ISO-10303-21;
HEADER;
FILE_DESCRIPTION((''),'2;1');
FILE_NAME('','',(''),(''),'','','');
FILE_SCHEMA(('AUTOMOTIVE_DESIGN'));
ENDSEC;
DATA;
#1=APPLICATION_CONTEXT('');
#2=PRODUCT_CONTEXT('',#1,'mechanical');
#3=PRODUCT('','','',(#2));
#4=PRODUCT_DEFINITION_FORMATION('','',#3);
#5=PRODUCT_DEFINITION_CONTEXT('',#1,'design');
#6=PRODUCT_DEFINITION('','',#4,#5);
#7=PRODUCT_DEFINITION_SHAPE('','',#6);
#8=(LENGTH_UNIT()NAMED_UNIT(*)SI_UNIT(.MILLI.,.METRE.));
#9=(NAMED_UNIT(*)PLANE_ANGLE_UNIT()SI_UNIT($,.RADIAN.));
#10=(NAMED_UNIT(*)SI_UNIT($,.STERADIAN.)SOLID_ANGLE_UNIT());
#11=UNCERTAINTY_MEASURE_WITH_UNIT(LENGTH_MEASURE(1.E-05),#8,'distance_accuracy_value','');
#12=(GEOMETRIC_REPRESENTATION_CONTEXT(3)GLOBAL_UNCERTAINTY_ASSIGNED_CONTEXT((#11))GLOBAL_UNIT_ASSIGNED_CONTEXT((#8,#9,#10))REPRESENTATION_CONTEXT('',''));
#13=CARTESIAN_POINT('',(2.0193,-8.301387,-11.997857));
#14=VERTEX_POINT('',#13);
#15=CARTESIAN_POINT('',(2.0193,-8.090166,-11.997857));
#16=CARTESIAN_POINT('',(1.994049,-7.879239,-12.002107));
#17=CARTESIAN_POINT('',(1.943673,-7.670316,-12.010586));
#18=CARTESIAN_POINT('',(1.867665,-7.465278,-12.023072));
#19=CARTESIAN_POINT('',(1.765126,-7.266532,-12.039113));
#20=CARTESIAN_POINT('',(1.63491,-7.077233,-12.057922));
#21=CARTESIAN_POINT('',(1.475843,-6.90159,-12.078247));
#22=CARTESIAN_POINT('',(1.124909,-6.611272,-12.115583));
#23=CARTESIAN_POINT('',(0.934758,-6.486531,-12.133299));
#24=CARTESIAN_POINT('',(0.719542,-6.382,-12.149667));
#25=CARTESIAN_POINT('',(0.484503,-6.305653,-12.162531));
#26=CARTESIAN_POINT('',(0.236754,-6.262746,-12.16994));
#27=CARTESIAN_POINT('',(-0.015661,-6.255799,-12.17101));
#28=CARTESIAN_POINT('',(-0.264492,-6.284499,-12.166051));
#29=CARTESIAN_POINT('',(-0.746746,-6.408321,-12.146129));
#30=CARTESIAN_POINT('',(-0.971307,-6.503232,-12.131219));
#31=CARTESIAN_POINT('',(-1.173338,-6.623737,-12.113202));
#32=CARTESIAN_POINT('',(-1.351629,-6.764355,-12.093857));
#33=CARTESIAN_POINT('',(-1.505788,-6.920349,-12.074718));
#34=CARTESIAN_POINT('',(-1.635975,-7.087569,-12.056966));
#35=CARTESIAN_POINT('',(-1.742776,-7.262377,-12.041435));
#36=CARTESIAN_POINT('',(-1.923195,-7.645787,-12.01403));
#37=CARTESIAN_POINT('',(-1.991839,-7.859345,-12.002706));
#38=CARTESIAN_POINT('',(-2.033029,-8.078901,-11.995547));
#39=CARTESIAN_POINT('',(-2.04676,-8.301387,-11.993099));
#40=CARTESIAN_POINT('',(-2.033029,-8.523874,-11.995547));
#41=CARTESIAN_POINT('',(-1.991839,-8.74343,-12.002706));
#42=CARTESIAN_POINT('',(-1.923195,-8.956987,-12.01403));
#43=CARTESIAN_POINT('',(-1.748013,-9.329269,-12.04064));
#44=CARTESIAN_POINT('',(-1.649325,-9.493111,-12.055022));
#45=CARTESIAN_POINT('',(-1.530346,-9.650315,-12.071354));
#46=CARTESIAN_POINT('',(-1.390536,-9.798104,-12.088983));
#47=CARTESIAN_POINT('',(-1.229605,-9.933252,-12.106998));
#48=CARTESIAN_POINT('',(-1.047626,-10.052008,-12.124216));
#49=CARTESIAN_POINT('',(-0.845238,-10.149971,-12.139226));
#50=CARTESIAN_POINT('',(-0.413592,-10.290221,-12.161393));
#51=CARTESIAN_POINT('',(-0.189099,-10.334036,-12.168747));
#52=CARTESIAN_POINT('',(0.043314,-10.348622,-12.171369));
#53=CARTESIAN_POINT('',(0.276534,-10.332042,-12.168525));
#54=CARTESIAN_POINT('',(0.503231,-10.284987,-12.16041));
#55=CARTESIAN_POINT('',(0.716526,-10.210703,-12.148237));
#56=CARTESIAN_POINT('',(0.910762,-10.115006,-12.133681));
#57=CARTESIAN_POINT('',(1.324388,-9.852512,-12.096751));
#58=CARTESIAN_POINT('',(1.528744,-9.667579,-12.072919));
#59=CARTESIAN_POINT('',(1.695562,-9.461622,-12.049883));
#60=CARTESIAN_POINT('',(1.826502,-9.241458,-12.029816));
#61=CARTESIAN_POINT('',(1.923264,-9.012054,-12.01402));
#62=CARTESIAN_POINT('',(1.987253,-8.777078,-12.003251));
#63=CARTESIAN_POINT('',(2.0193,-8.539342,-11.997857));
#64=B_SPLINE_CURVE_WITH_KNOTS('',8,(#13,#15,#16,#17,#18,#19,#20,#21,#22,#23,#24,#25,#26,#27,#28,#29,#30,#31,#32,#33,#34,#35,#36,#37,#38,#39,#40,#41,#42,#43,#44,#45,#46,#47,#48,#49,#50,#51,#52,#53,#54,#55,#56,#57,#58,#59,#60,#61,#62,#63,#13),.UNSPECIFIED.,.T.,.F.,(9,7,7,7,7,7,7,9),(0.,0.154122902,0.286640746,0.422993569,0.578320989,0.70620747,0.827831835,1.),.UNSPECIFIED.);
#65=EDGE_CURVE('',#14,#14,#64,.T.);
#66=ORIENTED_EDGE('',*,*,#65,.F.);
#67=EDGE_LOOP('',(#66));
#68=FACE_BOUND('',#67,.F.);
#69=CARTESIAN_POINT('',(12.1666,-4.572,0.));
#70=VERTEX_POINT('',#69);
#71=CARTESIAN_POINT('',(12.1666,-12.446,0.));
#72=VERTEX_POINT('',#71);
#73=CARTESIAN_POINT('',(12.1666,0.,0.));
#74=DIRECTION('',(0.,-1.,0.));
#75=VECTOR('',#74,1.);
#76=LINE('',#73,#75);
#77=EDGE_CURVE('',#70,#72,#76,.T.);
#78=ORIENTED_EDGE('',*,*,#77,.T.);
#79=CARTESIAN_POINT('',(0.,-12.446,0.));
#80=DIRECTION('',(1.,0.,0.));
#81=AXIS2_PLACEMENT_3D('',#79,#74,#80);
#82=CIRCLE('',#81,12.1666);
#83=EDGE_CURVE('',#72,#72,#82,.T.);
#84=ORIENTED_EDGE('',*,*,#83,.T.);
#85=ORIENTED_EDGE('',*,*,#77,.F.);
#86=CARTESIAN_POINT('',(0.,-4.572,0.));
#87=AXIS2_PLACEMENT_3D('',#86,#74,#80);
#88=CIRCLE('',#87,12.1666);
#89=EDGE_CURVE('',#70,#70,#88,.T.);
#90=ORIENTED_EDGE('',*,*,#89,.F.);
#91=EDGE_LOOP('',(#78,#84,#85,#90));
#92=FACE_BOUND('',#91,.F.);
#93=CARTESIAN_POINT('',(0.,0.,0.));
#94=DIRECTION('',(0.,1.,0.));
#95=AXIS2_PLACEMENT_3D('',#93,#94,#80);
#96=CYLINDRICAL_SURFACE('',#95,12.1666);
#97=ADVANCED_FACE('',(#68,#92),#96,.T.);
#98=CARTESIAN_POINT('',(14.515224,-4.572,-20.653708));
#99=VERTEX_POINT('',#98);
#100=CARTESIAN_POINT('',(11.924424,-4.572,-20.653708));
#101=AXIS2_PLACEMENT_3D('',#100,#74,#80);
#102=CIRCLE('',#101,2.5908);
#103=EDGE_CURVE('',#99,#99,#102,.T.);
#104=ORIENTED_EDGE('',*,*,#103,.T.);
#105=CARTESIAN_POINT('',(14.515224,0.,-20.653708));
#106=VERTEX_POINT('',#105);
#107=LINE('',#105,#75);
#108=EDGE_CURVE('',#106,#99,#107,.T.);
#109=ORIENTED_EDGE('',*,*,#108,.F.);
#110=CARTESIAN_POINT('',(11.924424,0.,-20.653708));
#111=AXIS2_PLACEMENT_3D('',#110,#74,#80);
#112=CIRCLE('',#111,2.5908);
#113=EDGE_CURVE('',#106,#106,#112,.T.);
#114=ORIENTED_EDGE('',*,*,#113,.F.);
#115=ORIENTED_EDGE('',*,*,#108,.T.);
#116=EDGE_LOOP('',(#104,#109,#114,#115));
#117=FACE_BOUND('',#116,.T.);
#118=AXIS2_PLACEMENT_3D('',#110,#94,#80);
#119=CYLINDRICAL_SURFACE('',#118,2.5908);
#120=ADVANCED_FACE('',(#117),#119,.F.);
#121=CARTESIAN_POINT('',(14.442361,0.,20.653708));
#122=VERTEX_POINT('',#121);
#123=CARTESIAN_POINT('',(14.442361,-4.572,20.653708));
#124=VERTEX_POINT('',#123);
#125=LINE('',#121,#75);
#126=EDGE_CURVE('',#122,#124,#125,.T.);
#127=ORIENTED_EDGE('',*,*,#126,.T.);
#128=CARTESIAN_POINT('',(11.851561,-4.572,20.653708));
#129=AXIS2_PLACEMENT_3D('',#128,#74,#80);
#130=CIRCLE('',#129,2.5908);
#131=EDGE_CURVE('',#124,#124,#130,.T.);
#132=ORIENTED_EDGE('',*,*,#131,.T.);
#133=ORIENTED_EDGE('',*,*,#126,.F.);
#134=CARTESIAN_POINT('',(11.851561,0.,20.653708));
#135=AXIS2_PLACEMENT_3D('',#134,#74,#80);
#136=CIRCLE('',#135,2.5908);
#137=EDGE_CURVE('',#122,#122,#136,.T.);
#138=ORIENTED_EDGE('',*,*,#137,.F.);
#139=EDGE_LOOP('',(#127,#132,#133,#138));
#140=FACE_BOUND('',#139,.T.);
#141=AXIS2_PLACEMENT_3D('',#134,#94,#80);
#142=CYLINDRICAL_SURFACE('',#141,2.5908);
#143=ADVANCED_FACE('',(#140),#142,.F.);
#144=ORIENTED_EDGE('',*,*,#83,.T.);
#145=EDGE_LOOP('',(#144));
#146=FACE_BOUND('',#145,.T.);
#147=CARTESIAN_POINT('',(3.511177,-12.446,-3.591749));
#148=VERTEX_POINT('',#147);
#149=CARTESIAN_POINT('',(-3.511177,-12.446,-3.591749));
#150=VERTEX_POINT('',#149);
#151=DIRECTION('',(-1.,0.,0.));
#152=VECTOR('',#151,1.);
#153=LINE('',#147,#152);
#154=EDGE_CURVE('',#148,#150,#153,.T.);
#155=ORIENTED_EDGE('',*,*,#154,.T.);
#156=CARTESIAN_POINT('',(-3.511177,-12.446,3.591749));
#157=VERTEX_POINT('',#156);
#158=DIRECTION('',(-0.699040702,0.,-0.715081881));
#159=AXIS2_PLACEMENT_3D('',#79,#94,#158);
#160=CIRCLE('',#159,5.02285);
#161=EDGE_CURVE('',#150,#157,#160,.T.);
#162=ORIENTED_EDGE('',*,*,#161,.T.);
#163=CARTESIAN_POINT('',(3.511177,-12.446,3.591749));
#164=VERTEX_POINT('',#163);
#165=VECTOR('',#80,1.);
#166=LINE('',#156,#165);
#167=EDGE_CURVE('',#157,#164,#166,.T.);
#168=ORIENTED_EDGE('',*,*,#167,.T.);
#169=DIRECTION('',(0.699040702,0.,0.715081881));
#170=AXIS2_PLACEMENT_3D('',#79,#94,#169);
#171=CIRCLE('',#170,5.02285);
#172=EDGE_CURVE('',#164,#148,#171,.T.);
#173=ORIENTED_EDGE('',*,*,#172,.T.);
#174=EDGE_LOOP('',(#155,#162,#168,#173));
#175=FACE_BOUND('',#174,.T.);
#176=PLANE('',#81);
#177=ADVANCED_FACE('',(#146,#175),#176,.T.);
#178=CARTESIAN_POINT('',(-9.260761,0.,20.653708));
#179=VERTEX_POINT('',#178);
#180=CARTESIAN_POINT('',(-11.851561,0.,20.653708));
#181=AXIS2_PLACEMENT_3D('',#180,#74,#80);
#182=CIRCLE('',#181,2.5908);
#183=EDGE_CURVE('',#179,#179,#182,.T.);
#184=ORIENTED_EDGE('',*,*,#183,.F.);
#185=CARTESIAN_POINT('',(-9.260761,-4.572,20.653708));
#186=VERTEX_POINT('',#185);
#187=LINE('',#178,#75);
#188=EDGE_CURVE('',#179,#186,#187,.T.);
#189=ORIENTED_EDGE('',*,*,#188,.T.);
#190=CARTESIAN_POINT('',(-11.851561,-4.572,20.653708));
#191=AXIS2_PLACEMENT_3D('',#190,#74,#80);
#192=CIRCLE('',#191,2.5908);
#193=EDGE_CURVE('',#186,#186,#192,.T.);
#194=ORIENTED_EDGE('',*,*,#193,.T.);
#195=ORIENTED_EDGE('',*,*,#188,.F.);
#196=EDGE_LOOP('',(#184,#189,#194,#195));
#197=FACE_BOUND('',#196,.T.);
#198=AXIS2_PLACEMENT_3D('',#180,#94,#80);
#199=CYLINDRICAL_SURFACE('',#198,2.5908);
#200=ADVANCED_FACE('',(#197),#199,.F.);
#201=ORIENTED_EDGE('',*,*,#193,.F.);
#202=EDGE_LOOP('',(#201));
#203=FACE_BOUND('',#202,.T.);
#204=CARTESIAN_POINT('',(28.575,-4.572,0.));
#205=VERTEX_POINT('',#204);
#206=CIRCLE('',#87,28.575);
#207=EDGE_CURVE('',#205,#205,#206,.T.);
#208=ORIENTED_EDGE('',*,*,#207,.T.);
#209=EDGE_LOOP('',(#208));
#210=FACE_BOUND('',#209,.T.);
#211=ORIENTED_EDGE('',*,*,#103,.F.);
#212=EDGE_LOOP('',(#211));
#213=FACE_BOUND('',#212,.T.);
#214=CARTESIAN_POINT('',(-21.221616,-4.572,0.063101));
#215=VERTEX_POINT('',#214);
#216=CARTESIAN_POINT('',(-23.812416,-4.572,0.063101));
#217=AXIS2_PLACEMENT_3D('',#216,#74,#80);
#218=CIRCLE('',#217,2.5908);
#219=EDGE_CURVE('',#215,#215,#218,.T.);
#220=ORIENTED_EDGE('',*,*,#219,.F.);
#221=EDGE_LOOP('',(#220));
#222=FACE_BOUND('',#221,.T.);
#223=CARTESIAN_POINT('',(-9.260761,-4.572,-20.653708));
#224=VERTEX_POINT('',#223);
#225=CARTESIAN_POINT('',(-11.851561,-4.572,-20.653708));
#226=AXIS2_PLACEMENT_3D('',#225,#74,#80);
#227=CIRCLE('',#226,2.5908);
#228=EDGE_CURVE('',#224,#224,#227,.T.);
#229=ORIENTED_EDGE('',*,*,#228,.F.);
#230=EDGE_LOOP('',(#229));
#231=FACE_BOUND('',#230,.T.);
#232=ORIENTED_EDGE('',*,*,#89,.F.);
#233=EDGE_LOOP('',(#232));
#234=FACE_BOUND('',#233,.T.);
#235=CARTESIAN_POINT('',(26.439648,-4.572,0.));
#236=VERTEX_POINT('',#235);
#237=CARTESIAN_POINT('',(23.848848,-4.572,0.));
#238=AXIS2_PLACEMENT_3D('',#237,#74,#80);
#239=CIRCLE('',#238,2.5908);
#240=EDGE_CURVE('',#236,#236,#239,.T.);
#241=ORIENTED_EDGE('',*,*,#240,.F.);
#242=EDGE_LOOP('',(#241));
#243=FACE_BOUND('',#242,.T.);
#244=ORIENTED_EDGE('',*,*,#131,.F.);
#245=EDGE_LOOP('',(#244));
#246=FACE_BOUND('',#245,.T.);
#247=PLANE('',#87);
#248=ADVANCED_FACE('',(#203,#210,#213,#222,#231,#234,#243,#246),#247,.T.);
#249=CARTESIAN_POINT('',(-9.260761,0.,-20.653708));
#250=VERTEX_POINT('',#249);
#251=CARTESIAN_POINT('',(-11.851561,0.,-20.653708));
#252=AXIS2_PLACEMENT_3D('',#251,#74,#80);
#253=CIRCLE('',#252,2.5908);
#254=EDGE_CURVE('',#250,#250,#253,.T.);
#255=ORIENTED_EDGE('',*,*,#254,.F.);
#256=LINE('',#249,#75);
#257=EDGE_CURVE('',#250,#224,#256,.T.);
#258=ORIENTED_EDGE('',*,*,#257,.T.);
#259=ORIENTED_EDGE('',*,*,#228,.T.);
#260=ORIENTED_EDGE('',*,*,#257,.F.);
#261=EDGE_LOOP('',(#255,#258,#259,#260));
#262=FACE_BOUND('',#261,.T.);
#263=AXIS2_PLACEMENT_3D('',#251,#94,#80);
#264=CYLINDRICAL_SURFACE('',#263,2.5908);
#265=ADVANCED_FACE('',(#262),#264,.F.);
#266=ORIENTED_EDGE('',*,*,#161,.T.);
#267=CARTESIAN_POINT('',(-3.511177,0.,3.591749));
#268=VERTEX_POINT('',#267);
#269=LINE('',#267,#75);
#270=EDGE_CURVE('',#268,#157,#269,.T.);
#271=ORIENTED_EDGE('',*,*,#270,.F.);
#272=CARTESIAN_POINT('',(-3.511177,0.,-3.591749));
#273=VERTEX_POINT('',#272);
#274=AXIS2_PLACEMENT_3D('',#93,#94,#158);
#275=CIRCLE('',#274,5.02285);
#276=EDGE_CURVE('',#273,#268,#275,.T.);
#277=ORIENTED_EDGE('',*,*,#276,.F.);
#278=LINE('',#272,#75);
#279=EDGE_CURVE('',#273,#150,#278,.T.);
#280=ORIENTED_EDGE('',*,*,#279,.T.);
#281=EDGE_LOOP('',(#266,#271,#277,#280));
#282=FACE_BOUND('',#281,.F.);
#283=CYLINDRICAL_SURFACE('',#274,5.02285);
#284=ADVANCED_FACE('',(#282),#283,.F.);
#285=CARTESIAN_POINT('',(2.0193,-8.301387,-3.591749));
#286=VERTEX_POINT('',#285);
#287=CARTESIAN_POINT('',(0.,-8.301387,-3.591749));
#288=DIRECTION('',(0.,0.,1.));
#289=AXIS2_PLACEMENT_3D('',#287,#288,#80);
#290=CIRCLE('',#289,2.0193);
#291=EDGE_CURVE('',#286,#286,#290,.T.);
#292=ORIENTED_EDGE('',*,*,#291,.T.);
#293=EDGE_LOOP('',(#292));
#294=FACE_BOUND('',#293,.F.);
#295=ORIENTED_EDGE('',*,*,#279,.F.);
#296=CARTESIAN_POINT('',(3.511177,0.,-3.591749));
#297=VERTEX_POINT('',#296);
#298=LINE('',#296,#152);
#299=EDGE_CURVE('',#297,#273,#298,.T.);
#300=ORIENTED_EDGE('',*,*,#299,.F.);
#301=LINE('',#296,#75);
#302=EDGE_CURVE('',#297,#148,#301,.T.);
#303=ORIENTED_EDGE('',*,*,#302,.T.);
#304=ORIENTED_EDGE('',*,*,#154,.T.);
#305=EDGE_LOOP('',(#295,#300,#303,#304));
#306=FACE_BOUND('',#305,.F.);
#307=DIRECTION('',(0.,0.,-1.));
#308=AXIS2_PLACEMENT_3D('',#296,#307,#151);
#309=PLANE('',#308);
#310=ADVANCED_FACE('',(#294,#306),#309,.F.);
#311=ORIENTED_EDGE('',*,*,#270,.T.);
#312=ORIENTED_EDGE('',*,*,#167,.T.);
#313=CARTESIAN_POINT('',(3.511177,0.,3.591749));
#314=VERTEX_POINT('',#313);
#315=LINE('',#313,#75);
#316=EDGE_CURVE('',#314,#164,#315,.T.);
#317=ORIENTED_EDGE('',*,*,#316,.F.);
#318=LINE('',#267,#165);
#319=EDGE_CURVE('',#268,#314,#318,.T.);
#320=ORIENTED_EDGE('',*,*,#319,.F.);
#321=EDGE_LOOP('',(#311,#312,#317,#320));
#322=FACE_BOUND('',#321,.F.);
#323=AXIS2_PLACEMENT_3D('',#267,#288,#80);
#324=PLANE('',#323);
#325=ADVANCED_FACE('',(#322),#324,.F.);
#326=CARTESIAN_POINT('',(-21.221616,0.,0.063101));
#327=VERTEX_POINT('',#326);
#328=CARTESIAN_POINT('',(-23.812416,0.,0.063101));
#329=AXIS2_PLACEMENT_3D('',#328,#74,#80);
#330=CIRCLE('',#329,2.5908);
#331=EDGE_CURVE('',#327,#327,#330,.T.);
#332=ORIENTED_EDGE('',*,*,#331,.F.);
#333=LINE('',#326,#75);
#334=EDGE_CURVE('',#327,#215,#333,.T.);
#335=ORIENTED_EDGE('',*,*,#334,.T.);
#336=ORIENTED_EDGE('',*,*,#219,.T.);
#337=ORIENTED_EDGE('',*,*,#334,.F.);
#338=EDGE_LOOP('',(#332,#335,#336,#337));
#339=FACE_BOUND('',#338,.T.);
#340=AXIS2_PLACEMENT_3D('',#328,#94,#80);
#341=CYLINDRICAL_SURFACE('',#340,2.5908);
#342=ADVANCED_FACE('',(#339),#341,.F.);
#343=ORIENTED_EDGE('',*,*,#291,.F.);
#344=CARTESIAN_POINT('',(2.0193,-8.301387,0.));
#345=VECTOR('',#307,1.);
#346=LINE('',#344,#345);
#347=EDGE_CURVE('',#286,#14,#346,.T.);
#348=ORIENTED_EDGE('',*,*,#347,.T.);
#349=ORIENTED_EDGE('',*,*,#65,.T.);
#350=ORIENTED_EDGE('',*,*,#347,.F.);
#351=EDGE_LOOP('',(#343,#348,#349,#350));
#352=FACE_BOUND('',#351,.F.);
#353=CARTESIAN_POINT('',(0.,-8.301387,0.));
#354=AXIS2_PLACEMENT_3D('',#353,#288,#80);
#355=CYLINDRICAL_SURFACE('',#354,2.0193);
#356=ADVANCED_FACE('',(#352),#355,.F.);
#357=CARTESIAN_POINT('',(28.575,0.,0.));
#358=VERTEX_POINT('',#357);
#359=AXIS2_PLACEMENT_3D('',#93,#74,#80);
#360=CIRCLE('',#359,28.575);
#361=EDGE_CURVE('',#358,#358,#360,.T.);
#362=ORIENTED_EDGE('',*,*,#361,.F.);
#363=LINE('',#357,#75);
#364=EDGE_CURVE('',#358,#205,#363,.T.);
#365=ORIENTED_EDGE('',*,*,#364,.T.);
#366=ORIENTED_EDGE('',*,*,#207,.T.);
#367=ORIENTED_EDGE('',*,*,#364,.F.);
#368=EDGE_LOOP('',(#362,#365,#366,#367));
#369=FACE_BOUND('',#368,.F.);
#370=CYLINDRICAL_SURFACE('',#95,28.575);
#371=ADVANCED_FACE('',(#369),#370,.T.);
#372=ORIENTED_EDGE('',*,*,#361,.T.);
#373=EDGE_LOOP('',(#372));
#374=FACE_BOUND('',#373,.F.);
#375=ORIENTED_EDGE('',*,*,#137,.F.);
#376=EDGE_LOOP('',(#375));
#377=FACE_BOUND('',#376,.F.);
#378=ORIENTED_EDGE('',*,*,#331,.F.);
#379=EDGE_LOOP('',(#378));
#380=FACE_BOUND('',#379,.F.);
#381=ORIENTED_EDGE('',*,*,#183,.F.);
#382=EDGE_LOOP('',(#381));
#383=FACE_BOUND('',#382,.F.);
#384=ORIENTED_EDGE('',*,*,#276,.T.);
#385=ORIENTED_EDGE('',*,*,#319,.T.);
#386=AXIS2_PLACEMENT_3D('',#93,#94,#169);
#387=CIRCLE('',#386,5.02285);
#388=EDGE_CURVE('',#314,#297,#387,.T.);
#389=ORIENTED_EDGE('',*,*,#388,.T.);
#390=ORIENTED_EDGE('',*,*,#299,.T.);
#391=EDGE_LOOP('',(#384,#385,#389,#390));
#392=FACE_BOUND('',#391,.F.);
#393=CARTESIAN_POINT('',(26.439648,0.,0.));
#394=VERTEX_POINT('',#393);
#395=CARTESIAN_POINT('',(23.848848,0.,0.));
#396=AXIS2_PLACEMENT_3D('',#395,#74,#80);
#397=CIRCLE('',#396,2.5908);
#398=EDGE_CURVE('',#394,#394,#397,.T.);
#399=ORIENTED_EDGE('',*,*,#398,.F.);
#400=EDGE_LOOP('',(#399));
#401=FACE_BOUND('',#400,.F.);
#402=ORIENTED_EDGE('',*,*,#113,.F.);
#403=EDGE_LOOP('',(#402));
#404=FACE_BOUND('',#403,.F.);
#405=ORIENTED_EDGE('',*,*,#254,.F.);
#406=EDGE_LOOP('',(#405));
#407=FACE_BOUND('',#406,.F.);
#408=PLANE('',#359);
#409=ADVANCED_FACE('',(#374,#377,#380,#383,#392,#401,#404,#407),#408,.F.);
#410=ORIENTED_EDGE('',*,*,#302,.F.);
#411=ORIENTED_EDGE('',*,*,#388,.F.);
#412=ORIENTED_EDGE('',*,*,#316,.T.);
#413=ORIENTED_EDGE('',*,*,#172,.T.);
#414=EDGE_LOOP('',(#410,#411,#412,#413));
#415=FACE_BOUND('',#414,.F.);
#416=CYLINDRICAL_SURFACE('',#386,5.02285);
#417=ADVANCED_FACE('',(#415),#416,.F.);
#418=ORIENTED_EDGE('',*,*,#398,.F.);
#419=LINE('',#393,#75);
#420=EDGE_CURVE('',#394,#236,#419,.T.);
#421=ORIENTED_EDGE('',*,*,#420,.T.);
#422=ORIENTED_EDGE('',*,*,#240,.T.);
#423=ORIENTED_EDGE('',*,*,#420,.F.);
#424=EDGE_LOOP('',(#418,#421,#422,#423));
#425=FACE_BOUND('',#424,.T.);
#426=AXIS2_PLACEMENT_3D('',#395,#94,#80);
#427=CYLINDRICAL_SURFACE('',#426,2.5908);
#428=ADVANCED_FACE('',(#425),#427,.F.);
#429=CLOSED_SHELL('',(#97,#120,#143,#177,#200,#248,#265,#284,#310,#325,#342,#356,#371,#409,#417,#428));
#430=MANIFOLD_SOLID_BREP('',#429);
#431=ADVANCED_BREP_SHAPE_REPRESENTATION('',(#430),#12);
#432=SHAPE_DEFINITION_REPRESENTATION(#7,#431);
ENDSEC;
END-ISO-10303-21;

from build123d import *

# Parameters (mm, degrees)
F0_R     = 12.1666
F1_DEPTH = 12.446
F0_R_2   = 28.575
F0_R_3   = 2.5908
F2_DEPTH = 4.572
F4_D     = 4.0386
F4_DEPTH = 28.576


with BuildPart() as f1:
    # F0 (on Front) → F1 (new body)
    with BuildSketch(Plane.XZ):
        Circle(F0_R)
        with BuildLine():
            ThreePointArc((-3.5111765908, -3.5917490267), (-5.02285, 0), (-3.5111765908, 3.5917490267))
            Line((-3.5111765908, 3.5917490267), (3.5111765908, 3.5917490267))
            ThreePointArc((3.5111765908, 3.5917490267), (5.02285, 0), (3.5111765908, -3.5917490267))
            Line((3.5111765908, -3.5917490267), (-3.5111765908, -3.5917490267))
        make_face(mode=Mode.SUBTRACT)
    extrude(amount=F1_DEPTH)

    # F0 (on Front) → F2 (join)
    with BuildSketch(Plane.XZ):
        Circle(F0_R_2)
        with Locations((-11.85156133, -20.6537079066)):
            Circle(F0_R_3, mode=Mode.SUBTRACT)
        with Locations((11.9244238196, -20.6537079066)):
            Circle(F0_R_3, mode=Mode.SUBTRACT)
        with Locations((-23.8124163945, 0.063100767)):
            Circle(F0_R_3, mode=Mode.SUBTRACT)
        with Locations((-11.85156133, 20.6537079066)):
            Circle(F0_R_3, mode=Mode.SUBTRACT)
        Circle(F0_R, mode=Mode.SUBTRACT)
        with Locations((23.8488476393, 0)):
            Circle(F0_R_3, mode=Mode.SUBTRACT)
        with Locations((11.85156133, 20.6537079066)):
            Circle(F0_R_3, mode=Mode.SUBTRACT)
    extrude(amount=F2_DEPTH)

    # F4 (through all, one way)
    with BuildSketch(Plane.XY):
        with Locations((0, -8.3013873111)):
            Circle(F4_D / 2)
    extrude(amount=-F4_DEPTH, mode=Mode.SUBTRACT)


solid = f1.part
